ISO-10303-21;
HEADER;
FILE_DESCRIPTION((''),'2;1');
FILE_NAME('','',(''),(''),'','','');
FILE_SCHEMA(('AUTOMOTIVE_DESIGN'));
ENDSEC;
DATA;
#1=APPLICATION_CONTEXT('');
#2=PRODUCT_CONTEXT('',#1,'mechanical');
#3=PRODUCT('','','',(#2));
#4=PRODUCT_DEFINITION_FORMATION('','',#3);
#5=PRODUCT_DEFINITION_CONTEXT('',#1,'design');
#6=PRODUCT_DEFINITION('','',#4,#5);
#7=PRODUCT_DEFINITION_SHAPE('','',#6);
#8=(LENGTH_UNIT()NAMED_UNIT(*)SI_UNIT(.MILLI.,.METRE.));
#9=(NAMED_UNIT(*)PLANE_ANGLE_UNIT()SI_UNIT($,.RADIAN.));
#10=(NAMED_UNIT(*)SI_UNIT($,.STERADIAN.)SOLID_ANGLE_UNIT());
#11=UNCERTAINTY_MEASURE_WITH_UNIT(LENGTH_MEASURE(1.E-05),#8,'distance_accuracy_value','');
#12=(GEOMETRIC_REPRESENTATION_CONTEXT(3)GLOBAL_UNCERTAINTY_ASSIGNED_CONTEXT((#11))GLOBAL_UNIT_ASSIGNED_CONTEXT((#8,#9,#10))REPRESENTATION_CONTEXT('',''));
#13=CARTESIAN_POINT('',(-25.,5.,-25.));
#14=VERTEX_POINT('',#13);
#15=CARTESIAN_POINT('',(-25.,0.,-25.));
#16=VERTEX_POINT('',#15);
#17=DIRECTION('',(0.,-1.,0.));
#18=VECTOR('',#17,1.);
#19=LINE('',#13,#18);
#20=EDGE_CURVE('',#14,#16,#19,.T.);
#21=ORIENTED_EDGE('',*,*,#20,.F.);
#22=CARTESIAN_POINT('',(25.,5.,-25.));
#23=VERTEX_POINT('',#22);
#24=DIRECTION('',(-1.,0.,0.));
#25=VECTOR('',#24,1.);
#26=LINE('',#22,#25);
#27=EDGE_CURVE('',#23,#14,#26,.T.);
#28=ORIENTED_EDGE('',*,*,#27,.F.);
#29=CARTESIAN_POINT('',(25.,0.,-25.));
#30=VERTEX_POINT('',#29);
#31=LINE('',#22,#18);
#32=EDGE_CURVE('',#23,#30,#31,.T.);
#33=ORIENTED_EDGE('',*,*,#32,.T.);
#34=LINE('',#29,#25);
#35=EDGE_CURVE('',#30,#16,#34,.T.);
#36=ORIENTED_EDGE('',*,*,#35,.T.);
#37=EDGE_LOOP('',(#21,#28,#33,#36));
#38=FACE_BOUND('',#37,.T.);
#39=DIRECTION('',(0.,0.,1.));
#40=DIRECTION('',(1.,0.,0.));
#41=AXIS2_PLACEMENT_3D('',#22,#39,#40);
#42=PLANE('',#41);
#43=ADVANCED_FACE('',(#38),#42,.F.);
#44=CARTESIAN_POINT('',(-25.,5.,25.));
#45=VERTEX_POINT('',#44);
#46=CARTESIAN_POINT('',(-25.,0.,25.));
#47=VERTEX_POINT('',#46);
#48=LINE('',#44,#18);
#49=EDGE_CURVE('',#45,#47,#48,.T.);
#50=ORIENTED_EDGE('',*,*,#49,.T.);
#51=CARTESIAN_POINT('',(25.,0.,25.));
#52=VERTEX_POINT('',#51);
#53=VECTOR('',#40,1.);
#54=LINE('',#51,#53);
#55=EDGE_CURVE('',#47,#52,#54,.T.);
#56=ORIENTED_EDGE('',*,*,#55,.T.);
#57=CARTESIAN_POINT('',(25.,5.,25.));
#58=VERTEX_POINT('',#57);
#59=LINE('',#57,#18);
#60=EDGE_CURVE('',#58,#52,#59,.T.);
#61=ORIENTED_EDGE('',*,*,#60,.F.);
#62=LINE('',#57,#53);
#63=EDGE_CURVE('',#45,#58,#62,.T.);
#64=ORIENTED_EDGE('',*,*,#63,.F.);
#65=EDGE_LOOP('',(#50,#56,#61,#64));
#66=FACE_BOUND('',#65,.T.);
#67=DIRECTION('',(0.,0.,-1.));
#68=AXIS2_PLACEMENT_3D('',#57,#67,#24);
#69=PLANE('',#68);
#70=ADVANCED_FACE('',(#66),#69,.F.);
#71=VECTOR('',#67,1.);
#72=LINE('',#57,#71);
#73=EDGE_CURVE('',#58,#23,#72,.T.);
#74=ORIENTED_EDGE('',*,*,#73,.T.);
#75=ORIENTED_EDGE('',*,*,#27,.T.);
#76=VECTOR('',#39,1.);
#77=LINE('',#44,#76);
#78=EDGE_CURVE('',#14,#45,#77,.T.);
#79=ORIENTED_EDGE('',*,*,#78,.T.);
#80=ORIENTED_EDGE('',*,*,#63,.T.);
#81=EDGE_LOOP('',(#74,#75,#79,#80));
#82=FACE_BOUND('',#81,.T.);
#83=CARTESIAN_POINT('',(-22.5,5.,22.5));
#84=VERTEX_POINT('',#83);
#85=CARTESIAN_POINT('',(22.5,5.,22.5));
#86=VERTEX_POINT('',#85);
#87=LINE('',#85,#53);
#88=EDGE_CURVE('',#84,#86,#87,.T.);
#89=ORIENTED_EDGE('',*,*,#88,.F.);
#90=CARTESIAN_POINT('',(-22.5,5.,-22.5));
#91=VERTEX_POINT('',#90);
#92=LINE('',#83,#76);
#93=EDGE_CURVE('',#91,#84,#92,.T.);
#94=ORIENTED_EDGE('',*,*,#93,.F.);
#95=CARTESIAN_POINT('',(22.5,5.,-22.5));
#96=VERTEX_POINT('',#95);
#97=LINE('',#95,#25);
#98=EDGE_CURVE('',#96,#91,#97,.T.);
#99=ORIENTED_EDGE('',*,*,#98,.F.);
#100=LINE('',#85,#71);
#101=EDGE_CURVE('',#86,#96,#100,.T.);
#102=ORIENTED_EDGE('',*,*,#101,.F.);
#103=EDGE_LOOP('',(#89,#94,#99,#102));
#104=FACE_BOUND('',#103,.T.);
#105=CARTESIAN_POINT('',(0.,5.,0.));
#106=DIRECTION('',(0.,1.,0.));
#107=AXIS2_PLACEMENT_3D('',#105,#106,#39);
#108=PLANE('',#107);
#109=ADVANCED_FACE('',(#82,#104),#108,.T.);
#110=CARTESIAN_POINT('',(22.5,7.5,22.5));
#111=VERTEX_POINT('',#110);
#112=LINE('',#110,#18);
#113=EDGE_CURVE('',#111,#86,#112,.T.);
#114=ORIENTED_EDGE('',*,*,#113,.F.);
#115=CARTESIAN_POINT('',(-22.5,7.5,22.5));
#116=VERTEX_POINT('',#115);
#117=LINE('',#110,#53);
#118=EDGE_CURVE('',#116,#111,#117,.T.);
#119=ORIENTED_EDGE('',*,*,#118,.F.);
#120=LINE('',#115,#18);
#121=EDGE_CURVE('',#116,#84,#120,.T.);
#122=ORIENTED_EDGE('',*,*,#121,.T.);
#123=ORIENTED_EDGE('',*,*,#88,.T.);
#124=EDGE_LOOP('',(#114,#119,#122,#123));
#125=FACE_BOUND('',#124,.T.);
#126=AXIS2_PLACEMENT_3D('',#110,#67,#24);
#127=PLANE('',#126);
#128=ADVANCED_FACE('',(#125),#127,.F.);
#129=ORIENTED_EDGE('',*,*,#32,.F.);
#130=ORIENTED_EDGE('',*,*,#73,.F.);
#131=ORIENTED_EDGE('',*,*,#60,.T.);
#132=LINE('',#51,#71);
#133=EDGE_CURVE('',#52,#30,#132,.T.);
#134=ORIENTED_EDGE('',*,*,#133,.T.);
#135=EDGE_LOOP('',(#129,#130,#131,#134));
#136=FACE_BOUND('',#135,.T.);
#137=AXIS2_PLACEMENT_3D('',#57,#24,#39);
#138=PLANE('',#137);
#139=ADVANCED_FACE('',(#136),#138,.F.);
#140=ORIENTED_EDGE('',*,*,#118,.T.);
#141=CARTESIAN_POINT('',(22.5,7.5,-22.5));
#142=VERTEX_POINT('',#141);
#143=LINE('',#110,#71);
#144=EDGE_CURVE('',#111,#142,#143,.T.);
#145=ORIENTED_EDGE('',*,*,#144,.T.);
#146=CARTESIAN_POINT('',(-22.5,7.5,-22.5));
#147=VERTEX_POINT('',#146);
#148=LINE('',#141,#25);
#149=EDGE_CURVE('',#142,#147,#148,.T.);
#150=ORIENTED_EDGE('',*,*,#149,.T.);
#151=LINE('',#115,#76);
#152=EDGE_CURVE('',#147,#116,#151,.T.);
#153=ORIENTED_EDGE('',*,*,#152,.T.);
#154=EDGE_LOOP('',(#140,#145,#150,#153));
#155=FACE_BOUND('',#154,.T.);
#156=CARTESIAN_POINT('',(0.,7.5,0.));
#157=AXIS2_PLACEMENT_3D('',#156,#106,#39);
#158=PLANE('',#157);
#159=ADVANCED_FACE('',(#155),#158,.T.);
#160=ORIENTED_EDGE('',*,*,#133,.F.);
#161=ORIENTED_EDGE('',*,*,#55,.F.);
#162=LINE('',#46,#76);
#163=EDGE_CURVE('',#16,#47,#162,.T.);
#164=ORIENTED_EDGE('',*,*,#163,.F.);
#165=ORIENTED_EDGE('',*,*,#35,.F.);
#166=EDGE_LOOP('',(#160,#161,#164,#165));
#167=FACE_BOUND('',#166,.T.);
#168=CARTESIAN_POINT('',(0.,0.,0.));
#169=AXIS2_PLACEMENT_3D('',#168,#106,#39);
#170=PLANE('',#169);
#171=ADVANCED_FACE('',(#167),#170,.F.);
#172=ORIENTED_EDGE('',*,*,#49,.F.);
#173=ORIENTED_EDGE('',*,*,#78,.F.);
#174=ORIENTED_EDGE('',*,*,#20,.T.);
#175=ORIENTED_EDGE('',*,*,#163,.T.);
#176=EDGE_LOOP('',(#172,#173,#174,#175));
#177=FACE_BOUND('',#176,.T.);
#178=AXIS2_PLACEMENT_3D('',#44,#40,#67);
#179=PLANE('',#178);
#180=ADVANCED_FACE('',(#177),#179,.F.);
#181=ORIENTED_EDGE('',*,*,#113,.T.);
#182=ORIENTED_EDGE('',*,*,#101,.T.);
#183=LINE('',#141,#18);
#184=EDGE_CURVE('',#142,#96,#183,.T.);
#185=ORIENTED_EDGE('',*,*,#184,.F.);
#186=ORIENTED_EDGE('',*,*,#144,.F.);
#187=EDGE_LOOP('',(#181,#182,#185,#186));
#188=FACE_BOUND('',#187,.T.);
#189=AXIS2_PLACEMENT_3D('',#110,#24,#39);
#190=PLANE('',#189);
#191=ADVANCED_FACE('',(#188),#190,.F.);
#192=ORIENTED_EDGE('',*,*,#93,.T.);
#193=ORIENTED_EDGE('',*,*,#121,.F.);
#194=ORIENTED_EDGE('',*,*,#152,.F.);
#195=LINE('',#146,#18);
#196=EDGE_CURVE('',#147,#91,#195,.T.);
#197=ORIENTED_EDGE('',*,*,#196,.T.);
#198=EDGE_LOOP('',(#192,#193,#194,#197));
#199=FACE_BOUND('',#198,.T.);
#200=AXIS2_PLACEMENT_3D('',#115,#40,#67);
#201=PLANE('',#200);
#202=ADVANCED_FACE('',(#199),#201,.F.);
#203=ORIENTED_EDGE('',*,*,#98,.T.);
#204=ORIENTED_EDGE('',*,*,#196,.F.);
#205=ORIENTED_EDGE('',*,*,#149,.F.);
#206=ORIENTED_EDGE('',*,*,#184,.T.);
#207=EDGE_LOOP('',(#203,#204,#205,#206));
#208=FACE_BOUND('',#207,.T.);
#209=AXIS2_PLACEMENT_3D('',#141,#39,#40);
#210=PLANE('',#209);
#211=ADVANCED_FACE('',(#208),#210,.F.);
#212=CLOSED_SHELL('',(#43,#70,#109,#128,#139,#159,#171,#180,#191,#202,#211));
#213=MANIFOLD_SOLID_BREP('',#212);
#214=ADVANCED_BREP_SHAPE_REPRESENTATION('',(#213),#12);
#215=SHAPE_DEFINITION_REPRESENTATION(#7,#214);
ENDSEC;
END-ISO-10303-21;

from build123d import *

# Parameters (mm, degrees)
CROQUIS1_W              = 50
CROQUIS1_H              = 50
SALIENTE_EXTRUIR1_DEPTH = 5
CROQUIS2_W              = 45
CROQUIS2_H              = 45
SALIENTE_EXTRUIR2_DEPTH = 2.5


with BuildPart() as part:
    # Croquis1 → Saliente-Extruir1 (new body)
    with BuildSketch(Plane(origin=(0, 0, 0), x_dir=(1, 0, 0), z_dir=(0, 1, 0))):
        Rectangle(CROQUIS1_W, CROQUIS1_H)
    extrude(amount=SALIENTE_EXTRUIR1_DEPTH)

    # Croquis2 → Saliente-Extruir2 (add)
    with BuildSketch(Plane(origin=(0, 5, 0), x_dir=(1, 0, 0), z_dir=(0, 1, 0))):
        Rectangle(CROQUIS2_W, CROQUIS2_H)
    extrude(amount=SALIENTE_EXTRUIR2_DEPTH)


solid = part.part
